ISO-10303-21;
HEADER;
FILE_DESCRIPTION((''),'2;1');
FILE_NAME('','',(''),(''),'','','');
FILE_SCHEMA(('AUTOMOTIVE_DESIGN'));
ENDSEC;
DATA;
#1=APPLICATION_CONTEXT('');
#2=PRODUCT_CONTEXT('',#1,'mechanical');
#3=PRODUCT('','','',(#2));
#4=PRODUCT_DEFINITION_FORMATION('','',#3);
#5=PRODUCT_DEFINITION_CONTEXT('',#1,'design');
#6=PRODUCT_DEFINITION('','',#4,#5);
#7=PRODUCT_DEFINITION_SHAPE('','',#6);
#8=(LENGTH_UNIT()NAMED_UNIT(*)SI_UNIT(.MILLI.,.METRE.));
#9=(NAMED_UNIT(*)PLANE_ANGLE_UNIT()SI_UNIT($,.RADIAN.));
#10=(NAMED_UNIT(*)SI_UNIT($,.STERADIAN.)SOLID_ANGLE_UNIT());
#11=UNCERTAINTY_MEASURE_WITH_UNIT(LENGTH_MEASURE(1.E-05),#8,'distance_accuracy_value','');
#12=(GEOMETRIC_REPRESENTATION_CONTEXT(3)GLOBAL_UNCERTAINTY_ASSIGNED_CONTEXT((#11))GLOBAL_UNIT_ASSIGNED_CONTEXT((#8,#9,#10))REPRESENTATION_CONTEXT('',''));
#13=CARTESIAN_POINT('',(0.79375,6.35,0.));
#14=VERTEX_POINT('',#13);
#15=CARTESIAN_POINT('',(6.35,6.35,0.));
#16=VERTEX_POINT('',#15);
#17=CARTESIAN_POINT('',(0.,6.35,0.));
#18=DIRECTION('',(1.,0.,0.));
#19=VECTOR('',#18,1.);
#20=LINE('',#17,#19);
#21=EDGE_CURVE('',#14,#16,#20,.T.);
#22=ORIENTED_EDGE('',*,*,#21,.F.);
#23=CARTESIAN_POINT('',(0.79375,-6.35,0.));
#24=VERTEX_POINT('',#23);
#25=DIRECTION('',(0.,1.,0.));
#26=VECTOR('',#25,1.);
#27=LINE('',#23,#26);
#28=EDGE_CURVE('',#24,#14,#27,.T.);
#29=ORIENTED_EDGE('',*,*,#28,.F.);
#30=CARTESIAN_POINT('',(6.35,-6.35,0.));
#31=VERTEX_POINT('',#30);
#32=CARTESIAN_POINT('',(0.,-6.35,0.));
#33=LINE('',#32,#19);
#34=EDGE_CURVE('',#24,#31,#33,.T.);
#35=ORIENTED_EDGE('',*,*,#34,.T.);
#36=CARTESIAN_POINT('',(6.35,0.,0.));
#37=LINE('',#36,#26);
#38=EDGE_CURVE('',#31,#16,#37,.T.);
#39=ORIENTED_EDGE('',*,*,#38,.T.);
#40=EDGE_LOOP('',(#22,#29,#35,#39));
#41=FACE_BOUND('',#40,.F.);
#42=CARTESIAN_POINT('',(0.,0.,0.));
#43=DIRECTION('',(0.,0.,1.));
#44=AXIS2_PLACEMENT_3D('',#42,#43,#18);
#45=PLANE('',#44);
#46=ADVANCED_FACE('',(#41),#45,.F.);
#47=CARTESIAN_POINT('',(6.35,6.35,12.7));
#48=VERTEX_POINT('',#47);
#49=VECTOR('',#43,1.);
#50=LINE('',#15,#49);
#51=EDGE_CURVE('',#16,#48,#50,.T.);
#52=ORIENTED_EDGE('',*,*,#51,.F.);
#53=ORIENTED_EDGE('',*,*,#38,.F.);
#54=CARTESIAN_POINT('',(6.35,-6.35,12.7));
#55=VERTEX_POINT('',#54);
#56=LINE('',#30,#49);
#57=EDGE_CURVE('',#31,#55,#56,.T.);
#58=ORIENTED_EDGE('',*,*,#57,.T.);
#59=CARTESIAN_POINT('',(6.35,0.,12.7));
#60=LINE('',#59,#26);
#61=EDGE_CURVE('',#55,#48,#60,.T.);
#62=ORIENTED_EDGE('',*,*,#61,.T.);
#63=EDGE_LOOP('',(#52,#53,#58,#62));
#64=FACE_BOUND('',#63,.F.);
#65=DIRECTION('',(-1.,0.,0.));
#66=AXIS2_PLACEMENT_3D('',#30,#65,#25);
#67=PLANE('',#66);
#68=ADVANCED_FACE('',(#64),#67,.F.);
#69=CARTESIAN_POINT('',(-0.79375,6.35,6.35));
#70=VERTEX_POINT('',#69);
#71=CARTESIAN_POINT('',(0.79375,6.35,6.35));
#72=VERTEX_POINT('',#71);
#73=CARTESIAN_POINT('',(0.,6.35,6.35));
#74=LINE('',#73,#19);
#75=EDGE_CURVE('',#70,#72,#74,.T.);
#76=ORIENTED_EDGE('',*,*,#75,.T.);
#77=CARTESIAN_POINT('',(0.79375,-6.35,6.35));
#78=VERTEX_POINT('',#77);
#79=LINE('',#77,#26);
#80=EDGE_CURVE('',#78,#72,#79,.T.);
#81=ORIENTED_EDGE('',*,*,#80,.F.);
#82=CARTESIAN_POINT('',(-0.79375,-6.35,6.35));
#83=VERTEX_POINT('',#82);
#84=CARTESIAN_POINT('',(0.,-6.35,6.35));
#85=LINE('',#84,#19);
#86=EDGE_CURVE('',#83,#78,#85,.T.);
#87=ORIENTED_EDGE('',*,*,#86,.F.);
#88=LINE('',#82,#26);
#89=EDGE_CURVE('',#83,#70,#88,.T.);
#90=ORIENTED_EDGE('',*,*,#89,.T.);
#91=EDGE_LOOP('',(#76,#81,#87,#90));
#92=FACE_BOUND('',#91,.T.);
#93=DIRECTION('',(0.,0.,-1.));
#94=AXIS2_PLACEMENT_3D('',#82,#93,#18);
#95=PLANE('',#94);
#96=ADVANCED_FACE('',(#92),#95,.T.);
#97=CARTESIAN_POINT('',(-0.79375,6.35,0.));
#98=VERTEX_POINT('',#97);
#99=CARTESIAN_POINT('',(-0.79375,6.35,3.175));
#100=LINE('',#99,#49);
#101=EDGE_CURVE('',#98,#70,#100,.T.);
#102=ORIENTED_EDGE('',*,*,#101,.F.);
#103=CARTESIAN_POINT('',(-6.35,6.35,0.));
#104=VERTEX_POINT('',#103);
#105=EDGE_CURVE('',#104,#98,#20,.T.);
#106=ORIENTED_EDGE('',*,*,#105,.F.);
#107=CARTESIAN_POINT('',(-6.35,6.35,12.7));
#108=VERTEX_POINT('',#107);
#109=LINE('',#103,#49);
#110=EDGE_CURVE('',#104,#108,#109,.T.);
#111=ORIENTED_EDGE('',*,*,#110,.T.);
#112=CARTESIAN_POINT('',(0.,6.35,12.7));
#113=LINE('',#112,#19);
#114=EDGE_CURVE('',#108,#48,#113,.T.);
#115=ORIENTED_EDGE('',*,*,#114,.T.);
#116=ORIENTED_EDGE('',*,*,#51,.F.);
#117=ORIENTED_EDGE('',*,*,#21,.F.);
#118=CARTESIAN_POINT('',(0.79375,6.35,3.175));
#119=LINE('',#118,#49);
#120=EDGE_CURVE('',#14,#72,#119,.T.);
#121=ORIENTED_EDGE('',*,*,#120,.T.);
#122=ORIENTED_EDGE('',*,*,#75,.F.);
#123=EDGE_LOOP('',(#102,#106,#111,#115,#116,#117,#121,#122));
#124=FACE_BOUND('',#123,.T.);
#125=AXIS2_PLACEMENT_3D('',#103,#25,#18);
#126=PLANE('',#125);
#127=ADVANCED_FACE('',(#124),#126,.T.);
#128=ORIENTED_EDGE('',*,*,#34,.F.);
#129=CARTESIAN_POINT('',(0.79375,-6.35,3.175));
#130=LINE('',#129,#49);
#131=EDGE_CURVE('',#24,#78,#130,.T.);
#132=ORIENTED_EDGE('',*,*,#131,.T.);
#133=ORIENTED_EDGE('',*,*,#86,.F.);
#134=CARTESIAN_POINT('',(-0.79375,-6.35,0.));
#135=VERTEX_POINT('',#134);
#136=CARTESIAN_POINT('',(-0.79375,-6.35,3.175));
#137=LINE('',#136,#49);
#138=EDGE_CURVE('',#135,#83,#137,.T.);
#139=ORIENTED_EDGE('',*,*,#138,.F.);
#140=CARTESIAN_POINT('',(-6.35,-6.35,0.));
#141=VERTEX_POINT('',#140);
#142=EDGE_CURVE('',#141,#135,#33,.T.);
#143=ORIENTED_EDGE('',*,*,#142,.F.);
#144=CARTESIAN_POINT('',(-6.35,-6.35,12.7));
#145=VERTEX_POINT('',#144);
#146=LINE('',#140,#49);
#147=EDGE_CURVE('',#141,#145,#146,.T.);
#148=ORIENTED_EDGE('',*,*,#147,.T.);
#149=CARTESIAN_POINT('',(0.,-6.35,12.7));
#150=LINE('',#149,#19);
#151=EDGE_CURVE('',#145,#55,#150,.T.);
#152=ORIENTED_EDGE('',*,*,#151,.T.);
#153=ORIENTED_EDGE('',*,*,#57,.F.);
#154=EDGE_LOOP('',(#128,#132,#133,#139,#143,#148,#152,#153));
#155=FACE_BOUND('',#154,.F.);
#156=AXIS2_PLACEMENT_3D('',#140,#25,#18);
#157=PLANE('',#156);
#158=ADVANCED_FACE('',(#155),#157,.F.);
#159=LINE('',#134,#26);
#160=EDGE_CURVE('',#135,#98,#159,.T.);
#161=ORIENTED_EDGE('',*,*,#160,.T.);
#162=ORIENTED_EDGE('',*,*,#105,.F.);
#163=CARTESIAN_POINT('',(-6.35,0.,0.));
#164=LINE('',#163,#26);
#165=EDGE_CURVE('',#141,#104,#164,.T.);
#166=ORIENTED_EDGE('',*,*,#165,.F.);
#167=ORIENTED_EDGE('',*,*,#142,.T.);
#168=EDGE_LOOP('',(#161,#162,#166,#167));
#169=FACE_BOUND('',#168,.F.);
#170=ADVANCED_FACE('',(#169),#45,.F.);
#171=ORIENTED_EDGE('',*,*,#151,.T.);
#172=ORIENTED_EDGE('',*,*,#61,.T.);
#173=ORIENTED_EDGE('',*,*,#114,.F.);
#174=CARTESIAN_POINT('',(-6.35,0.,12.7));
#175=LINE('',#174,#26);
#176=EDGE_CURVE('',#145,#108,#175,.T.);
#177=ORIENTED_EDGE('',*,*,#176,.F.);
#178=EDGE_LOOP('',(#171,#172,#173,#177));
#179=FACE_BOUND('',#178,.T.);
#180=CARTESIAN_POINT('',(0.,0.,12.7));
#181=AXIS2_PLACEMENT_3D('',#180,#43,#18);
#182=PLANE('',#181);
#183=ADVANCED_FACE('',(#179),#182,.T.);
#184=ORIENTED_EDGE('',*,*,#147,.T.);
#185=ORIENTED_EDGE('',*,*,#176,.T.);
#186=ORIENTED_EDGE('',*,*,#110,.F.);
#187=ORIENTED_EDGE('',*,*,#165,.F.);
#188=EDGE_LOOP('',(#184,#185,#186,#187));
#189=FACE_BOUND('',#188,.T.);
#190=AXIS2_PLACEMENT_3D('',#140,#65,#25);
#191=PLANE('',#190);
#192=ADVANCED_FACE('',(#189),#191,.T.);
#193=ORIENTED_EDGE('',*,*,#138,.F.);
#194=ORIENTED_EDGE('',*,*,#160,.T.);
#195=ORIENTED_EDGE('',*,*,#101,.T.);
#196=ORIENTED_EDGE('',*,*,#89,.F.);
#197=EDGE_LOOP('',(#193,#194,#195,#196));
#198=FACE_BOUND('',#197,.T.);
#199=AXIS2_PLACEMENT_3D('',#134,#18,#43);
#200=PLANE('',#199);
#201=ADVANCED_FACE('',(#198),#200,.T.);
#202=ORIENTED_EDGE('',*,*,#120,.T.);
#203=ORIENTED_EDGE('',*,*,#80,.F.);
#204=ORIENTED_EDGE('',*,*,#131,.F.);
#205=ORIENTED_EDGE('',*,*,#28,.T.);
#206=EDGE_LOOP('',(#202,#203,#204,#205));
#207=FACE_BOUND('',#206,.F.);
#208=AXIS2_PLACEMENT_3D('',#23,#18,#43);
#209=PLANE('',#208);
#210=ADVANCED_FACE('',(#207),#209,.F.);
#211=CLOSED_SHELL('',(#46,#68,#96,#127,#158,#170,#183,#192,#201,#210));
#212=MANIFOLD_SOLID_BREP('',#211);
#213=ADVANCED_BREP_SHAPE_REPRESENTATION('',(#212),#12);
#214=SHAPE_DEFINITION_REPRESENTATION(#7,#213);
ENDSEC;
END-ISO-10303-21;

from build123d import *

# Parameters (mm, degrees)
F0_W     = 12.7
F0_H     = 12.7
F1_DEPTH = 12.7
F2_W     = 1.5875
F2_H     = 6.35
F3_DEPTH = 12.7


with BuildPart() as f1:
    # F0 (on Top) → F1 (new body)
    with BuildSketch(Plane.XY):
        Rectangle(F0_W, F0_H)
    extrude(amount=F1_DEPTH)

    # F2 (on face) → F3 (cut, through all)
    with BuildSketch(Plane.XZ.offset(6.35)):
        with Locations((0, 3.175)):
            Rectangle(F2_W, F2_H)
    extrude(amount=-F3_DEPTH, mode=Mode.SUBTRACT)


solid = f1.part
